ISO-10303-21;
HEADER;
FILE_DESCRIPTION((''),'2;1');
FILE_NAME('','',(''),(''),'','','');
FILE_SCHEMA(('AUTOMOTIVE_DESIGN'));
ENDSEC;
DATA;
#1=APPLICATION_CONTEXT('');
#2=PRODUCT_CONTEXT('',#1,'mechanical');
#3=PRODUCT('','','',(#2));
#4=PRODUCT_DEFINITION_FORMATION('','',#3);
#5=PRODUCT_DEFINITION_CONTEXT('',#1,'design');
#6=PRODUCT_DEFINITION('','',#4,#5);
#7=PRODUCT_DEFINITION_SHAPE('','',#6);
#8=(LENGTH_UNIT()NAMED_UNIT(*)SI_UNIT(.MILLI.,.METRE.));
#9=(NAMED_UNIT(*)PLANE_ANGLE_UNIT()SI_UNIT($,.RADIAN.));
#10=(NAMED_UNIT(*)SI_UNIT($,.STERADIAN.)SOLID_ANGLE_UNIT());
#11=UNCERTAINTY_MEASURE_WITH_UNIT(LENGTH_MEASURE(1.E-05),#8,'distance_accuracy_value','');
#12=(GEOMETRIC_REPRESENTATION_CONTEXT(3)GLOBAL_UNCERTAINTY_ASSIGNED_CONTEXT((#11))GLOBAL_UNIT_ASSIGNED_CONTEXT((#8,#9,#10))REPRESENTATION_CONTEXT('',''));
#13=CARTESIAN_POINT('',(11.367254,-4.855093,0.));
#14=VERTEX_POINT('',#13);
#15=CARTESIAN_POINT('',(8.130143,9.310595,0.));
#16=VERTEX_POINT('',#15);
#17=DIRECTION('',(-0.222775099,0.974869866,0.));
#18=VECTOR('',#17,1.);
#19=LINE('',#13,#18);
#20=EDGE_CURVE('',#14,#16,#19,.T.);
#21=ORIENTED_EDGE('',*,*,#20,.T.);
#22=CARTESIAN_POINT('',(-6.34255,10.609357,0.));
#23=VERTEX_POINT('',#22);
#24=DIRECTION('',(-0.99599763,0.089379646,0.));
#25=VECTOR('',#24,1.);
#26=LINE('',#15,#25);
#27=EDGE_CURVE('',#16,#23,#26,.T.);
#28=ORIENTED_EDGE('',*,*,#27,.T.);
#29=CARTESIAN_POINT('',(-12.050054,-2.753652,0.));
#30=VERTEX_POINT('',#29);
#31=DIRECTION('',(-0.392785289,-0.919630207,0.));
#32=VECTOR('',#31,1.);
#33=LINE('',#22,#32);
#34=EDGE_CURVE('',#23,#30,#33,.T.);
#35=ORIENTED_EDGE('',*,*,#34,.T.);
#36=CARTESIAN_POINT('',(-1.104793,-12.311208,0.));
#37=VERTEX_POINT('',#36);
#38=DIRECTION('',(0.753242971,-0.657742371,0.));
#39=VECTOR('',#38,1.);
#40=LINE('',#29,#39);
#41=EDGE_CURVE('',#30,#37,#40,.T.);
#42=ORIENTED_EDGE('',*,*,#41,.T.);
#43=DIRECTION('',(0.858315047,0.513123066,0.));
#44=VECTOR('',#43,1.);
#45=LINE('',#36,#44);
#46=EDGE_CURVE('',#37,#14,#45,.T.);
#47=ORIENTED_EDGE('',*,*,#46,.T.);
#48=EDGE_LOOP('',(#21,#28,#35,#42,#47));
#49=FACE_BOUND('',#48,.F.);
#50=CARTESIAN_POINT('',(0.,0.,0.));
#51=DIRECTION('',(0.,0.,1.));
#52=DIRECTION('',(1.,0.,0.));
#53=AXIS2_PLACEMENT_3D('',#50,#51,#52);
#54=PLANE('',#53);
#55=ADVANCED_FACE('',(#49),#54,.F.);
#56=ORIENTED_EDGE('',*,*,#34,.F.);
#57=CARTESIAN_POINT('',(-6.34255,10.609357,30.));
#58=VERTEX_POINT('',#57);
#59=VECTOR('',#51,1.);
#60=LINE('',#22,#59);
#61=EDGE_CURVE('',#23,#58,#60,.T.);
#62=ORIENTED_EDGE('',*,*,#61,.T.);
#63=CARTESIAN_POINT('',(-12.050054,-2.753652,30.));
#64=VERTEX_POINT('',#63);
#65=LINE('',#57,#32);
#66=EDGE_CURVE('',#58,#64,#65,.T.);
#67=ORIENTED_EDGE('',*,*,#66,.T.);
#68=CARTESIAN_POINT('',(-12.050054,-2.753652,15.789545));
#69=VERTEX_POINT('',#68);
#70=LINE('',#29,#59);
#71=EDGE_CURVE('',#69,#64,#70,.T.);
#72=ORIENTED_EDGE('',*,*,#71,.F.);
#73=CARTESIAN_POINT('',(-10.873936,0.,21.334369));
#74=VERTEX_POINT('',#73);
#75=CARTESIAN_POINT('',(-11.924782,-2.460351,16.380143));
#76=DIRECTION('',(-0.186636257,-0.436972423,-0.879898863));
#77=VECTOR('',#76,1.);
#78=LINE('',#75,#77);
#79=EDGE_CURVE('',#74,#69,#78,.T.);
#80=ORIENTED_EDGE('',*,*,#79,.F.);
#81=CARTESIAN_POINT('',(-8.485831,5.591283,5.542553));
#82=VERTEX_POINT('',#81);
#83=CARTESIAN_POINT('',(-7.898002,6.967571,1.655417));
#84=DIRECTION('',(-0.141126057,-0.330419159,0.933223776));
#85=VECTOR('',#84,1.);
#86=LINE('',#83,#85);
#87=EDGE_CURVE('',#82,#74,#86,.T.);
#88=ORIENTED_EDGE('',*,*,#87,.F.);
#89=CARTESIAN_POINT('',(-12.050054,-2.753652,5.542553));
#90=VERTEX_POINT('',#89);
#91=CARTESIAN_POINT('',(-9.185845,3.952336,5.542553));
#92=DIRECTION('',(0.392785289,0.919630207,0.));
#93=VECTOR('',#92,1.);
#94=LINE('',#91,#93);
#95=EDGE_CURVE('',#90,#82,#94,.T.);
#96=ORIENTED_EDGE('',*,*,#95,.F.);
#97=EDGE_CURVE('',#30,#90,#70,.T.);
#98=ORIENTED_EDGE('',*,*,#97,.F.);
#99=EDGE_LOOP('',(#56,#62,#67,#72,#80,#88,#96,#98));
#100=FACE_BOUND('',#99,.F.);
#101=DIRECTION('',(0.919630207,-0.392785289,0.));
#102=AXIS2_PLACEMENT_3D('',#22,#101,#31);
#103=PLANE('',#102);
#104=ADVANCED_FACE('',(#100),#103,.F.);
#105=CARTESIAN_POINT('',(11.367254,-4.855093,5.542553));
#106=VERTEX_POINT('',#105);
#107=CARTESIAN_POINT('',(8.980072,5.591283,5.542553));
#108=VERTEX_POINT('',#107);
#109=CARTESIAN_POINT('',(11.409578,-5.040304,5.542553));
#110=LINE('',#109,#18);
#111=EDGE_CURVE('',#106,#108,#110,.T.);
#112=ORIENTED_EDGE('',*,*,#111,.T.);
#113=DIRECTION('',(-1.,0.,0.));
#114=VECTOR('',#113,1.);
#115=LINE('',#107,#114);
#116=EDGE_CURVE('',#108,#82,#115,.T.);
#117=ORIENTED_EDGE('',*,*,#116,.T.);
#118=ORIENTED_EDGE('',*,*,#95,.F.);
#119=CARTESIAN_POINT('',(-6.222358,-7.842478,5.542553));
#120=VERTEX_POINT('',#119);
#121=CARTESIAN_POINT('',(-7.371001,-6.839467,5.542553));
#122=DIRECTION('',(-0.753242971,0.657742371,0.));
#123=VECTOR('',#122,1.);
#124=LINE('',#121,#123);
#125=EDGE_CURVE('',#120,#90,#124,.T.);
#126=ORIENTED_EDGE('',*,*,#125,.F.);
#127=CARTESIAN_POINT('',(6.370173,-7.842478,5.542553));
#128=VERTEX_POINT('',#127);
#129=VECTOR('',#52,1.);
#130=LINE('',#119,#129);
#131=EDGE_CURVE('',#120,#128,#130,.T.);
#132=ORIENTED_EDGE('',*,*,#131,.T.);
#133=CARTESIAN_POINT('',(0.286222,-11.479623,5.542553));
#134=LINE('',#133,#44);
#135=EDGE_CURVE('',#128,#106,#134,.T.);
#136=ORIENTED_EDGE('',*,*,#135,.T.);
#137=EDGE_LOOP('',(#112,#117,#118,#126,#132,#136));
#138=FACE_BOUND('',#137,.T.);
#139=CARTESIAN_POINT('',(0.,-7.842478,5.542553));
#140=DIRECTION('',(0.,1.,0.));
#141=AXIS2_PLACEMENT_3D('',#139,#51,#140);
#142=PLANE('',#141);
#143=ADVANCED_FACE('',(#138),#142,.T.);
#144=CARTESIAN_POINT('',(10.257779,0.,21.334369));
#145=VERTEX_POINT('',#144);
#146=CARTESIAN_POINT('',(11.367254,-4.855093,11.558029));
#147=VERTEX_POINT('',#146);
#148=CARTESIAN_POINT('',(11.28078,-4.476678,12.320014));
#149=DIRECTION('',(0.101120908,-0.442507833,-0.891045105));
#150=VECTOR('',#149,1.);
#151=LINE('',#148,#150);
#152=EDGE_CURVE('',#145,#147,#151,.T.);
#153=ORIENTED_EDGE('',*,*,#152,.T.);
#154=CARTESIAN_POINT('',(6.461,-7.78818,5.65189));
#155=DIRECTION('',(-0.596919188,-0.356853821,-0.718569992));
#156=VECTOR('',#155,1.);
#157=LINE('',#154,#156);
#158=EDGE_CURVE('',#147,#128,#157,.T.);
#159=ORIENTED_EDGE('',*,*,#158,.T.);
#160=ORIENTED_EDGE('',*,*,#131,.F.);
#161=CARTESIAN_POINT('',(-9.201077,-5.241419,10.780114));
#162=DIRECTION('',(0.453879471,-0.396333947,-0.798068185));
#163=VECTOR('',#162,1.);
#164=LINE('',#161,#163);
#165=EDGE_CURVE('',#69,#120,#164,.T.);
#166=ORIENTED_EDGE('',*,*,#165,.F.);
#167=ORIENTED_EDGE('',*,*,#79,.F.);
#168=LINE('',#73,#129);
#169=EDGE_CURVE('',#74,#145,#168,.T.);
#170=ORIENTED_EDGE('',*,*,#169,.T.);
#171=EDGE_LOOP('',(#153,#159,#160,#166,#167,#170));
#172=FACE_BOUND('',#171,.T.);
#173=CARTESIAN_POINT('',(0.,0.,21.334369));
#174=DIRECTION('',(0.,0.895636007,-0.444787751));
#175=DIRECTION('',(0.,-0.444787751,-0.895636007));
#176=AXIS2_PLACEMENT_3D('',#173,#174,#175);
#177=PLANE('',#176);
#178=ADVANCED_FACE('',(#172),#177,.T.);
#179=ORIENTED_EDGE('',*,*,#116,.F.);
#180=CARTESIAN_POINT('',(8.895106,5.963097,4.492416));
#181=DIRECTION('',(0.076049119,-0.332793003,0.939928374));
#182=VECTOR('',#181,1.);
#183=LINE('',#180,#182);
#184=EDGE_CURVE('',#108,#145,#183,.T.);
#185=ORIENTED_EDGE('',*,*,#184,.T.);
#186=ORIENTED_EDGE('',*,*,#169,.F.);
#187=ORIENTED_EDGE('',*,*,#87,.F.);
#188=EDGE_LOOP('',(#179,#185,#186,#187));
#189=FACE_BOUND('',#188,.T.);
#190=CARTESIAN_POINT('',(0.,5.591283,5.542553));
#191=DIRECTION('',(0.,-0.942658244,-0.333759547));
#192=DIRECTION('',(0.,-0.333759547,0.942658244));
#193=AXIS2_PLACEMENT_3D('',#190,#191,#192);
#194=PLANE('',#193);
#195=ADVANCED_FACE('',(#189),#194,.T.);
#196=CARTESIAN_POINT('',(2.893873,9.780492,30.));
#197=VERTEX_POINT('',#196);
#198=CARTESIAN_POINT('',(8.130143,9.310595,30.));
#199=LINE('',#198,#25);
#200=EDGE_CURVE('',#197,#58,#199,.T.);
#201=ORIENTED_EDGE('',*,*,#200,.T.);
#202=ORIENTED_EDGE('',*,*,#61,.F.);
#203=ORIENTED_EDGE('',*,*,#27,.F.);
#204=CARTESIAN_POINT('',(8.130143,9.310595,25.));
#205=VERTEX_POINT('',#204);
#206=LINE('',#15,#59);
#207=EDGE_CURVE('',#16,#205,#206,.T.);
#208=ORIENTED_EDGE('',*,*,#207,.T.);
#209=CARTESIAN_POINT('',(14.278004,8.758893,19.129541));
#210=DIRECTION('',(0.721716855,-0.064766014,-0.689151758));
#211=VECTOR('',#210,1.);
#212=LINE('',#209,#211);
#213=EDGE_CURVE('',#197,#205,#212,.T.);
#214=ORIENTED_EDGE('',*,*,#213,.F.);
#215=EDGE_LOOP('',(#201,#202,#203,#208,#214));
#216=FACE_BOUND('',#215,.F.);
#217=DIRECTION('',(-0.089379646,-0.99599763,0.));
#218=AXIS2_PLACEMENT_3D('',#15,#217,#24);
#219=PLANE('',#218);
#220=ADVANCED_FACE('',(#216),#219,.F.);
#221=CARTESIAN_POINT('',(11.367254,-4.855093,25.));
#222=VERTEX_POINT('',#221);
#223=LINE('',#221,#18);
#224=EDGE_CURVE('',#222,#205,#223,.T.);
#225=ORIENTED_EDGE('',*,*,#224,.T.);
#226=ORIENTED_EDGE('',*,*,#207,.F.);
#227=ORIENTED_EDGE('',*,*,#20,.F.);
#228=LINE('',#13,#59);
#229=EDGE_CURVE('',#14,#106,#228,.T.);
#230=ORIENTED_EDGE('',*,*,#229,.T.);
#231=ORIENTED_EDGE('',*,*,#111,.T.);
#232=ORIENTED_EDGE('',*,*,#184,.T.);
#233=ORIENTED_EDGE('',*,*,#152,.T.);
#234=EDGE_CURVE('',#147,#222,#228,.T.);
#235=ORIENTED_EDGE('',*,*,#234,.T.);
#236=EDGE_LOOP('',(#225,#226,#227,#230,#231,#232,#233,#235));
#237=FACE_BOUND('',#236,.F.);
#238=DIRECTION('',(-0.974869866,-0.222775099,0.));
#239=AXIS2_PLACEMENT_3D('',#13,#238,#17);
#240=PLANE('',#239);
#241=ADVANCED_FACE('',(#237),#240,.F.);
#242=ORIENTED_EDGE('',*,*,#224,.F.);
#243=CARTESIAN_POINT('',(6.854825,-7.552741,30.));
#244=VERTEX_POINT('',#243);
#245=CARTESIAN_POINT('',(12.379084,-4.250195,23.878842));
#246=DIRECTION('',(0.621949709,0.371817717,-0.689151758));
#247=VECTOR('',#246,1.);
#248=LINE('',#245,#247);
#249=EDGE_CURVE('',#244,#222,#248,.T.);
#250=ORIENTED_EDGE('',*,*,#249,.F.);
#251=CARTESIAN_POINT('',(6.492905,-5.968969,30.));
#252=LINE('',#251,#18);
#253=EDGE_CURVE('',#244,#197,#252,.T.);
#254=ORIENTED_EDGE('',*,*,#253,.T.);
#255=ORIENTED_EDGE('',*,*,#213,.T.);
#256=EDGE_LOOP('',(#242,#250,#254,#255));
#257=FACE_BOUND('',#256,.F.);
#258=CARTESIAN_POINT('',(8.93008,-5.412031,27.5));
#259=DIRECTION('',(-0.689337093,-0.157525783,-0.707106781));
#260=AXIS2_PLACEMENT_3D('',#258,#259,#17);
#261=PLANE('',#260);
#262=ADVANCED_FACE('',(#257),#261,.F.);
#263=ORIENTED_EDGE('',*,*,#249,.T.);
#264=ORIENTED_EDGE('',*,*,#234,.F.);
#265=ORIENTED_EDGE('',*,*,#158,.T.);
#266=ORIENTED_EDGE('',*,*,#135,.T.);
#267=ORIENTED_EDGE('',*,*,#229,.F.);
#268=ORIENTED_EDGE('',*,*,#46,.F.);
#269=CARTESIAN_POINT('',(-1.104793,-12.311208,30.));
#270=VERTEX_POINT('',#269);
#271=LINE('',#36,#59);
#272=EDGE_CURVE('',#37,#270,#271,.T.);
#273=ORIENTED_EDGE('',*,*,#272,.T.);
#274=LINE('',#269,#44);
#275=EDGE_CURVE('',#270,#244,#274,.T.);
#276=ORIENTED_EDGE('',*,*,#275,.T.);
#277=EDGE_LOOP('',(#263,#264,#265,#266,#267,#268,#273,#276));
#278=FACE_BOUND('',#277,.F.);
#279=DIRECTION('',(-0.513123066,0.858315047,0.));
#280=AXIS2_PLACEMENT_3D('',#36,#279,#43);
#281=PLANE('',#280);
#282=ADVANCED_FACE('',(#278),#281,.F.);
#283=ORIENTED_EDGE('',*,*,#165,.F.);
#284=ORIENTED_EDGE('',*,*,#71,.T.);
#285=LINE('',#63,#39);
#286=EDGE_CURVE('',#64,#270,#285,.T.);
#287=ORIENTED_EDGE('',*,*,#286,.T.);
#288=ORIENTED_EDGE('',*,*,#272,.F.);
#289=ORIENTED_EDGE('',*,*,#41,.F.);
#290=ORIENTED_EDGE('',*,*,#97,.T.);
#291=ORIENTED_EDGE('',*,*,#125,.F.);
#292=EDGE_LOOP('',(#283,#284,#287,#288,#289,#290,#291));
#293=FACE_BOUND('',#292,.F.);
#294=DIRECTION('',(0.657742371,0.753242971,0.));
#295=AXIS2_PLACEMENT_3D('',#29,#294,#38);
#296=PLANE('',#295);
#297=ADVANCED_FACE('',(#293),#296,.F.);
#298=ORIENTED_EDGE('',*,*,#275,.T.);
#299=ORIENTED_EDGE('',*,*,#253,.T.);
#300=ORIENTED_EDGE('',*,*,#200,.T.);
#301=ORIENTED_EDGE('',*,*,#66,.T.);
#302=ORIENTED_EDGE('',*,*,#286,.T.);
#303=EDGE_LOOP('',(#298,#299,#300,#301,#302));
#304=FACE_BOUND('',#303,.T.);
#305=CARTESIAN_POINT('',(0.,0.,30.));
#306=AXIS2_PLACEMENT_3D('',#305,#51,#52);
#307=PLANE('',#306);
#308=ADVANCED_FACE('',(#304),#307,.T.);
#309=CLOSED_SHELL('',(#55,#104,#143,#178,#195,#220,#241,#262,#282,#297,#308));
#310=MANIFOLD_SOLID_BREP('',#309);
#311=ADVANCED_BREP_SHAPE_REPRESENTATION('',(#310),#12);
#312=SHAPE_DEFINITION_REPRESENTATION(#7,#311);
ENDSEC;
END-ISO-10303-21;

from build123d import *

# Parameters (mm, degrees)
F1_DEPTH      = 30
F3_DEPTH      = 12.0510542326
F3_DEPTH_BACK = 11.3682544958
F4_SIZE       = 5


with BuildPart() as f1:
    # F0 (on Top) → F1 (new body)
    with BuildSketch(Plane.XY):
        Polygon((-1.1047931817, -12.3112077606), (11.3672544958, -4.8550931739), (8.1301428189, 9.3105951606), (-6.3425499004, 10.6093574387), (-12.0500542326, -2.7536516647), align=None)
    extrude(amount=F1_DEPTH)

    # F2 (on Right) → F3 (cut, two sides)
    with BuildSketch(Plane.YZ) as f3_sk:
        Polygon((0, 21.3343687356), (-7.8424783424, 5.5425534956), (5.5912830867, 5.5425534956), align=None)
    extrude(amount=-F3_DEPTH, mode=Mode.SUBTRACT)
    extrude(f3_sk.sketch, amount=F3_DEPTH_BACK, mode=Mode.SUBTRACT)

    # F4
    f4_edges = [f1.edges().sort_by_distance(p)[0] for p in [
        (9.748699, 2.227751, 30),
    ]]
    chamfer(f4_edges, length=F4_SIZE)


solid = f1.part
